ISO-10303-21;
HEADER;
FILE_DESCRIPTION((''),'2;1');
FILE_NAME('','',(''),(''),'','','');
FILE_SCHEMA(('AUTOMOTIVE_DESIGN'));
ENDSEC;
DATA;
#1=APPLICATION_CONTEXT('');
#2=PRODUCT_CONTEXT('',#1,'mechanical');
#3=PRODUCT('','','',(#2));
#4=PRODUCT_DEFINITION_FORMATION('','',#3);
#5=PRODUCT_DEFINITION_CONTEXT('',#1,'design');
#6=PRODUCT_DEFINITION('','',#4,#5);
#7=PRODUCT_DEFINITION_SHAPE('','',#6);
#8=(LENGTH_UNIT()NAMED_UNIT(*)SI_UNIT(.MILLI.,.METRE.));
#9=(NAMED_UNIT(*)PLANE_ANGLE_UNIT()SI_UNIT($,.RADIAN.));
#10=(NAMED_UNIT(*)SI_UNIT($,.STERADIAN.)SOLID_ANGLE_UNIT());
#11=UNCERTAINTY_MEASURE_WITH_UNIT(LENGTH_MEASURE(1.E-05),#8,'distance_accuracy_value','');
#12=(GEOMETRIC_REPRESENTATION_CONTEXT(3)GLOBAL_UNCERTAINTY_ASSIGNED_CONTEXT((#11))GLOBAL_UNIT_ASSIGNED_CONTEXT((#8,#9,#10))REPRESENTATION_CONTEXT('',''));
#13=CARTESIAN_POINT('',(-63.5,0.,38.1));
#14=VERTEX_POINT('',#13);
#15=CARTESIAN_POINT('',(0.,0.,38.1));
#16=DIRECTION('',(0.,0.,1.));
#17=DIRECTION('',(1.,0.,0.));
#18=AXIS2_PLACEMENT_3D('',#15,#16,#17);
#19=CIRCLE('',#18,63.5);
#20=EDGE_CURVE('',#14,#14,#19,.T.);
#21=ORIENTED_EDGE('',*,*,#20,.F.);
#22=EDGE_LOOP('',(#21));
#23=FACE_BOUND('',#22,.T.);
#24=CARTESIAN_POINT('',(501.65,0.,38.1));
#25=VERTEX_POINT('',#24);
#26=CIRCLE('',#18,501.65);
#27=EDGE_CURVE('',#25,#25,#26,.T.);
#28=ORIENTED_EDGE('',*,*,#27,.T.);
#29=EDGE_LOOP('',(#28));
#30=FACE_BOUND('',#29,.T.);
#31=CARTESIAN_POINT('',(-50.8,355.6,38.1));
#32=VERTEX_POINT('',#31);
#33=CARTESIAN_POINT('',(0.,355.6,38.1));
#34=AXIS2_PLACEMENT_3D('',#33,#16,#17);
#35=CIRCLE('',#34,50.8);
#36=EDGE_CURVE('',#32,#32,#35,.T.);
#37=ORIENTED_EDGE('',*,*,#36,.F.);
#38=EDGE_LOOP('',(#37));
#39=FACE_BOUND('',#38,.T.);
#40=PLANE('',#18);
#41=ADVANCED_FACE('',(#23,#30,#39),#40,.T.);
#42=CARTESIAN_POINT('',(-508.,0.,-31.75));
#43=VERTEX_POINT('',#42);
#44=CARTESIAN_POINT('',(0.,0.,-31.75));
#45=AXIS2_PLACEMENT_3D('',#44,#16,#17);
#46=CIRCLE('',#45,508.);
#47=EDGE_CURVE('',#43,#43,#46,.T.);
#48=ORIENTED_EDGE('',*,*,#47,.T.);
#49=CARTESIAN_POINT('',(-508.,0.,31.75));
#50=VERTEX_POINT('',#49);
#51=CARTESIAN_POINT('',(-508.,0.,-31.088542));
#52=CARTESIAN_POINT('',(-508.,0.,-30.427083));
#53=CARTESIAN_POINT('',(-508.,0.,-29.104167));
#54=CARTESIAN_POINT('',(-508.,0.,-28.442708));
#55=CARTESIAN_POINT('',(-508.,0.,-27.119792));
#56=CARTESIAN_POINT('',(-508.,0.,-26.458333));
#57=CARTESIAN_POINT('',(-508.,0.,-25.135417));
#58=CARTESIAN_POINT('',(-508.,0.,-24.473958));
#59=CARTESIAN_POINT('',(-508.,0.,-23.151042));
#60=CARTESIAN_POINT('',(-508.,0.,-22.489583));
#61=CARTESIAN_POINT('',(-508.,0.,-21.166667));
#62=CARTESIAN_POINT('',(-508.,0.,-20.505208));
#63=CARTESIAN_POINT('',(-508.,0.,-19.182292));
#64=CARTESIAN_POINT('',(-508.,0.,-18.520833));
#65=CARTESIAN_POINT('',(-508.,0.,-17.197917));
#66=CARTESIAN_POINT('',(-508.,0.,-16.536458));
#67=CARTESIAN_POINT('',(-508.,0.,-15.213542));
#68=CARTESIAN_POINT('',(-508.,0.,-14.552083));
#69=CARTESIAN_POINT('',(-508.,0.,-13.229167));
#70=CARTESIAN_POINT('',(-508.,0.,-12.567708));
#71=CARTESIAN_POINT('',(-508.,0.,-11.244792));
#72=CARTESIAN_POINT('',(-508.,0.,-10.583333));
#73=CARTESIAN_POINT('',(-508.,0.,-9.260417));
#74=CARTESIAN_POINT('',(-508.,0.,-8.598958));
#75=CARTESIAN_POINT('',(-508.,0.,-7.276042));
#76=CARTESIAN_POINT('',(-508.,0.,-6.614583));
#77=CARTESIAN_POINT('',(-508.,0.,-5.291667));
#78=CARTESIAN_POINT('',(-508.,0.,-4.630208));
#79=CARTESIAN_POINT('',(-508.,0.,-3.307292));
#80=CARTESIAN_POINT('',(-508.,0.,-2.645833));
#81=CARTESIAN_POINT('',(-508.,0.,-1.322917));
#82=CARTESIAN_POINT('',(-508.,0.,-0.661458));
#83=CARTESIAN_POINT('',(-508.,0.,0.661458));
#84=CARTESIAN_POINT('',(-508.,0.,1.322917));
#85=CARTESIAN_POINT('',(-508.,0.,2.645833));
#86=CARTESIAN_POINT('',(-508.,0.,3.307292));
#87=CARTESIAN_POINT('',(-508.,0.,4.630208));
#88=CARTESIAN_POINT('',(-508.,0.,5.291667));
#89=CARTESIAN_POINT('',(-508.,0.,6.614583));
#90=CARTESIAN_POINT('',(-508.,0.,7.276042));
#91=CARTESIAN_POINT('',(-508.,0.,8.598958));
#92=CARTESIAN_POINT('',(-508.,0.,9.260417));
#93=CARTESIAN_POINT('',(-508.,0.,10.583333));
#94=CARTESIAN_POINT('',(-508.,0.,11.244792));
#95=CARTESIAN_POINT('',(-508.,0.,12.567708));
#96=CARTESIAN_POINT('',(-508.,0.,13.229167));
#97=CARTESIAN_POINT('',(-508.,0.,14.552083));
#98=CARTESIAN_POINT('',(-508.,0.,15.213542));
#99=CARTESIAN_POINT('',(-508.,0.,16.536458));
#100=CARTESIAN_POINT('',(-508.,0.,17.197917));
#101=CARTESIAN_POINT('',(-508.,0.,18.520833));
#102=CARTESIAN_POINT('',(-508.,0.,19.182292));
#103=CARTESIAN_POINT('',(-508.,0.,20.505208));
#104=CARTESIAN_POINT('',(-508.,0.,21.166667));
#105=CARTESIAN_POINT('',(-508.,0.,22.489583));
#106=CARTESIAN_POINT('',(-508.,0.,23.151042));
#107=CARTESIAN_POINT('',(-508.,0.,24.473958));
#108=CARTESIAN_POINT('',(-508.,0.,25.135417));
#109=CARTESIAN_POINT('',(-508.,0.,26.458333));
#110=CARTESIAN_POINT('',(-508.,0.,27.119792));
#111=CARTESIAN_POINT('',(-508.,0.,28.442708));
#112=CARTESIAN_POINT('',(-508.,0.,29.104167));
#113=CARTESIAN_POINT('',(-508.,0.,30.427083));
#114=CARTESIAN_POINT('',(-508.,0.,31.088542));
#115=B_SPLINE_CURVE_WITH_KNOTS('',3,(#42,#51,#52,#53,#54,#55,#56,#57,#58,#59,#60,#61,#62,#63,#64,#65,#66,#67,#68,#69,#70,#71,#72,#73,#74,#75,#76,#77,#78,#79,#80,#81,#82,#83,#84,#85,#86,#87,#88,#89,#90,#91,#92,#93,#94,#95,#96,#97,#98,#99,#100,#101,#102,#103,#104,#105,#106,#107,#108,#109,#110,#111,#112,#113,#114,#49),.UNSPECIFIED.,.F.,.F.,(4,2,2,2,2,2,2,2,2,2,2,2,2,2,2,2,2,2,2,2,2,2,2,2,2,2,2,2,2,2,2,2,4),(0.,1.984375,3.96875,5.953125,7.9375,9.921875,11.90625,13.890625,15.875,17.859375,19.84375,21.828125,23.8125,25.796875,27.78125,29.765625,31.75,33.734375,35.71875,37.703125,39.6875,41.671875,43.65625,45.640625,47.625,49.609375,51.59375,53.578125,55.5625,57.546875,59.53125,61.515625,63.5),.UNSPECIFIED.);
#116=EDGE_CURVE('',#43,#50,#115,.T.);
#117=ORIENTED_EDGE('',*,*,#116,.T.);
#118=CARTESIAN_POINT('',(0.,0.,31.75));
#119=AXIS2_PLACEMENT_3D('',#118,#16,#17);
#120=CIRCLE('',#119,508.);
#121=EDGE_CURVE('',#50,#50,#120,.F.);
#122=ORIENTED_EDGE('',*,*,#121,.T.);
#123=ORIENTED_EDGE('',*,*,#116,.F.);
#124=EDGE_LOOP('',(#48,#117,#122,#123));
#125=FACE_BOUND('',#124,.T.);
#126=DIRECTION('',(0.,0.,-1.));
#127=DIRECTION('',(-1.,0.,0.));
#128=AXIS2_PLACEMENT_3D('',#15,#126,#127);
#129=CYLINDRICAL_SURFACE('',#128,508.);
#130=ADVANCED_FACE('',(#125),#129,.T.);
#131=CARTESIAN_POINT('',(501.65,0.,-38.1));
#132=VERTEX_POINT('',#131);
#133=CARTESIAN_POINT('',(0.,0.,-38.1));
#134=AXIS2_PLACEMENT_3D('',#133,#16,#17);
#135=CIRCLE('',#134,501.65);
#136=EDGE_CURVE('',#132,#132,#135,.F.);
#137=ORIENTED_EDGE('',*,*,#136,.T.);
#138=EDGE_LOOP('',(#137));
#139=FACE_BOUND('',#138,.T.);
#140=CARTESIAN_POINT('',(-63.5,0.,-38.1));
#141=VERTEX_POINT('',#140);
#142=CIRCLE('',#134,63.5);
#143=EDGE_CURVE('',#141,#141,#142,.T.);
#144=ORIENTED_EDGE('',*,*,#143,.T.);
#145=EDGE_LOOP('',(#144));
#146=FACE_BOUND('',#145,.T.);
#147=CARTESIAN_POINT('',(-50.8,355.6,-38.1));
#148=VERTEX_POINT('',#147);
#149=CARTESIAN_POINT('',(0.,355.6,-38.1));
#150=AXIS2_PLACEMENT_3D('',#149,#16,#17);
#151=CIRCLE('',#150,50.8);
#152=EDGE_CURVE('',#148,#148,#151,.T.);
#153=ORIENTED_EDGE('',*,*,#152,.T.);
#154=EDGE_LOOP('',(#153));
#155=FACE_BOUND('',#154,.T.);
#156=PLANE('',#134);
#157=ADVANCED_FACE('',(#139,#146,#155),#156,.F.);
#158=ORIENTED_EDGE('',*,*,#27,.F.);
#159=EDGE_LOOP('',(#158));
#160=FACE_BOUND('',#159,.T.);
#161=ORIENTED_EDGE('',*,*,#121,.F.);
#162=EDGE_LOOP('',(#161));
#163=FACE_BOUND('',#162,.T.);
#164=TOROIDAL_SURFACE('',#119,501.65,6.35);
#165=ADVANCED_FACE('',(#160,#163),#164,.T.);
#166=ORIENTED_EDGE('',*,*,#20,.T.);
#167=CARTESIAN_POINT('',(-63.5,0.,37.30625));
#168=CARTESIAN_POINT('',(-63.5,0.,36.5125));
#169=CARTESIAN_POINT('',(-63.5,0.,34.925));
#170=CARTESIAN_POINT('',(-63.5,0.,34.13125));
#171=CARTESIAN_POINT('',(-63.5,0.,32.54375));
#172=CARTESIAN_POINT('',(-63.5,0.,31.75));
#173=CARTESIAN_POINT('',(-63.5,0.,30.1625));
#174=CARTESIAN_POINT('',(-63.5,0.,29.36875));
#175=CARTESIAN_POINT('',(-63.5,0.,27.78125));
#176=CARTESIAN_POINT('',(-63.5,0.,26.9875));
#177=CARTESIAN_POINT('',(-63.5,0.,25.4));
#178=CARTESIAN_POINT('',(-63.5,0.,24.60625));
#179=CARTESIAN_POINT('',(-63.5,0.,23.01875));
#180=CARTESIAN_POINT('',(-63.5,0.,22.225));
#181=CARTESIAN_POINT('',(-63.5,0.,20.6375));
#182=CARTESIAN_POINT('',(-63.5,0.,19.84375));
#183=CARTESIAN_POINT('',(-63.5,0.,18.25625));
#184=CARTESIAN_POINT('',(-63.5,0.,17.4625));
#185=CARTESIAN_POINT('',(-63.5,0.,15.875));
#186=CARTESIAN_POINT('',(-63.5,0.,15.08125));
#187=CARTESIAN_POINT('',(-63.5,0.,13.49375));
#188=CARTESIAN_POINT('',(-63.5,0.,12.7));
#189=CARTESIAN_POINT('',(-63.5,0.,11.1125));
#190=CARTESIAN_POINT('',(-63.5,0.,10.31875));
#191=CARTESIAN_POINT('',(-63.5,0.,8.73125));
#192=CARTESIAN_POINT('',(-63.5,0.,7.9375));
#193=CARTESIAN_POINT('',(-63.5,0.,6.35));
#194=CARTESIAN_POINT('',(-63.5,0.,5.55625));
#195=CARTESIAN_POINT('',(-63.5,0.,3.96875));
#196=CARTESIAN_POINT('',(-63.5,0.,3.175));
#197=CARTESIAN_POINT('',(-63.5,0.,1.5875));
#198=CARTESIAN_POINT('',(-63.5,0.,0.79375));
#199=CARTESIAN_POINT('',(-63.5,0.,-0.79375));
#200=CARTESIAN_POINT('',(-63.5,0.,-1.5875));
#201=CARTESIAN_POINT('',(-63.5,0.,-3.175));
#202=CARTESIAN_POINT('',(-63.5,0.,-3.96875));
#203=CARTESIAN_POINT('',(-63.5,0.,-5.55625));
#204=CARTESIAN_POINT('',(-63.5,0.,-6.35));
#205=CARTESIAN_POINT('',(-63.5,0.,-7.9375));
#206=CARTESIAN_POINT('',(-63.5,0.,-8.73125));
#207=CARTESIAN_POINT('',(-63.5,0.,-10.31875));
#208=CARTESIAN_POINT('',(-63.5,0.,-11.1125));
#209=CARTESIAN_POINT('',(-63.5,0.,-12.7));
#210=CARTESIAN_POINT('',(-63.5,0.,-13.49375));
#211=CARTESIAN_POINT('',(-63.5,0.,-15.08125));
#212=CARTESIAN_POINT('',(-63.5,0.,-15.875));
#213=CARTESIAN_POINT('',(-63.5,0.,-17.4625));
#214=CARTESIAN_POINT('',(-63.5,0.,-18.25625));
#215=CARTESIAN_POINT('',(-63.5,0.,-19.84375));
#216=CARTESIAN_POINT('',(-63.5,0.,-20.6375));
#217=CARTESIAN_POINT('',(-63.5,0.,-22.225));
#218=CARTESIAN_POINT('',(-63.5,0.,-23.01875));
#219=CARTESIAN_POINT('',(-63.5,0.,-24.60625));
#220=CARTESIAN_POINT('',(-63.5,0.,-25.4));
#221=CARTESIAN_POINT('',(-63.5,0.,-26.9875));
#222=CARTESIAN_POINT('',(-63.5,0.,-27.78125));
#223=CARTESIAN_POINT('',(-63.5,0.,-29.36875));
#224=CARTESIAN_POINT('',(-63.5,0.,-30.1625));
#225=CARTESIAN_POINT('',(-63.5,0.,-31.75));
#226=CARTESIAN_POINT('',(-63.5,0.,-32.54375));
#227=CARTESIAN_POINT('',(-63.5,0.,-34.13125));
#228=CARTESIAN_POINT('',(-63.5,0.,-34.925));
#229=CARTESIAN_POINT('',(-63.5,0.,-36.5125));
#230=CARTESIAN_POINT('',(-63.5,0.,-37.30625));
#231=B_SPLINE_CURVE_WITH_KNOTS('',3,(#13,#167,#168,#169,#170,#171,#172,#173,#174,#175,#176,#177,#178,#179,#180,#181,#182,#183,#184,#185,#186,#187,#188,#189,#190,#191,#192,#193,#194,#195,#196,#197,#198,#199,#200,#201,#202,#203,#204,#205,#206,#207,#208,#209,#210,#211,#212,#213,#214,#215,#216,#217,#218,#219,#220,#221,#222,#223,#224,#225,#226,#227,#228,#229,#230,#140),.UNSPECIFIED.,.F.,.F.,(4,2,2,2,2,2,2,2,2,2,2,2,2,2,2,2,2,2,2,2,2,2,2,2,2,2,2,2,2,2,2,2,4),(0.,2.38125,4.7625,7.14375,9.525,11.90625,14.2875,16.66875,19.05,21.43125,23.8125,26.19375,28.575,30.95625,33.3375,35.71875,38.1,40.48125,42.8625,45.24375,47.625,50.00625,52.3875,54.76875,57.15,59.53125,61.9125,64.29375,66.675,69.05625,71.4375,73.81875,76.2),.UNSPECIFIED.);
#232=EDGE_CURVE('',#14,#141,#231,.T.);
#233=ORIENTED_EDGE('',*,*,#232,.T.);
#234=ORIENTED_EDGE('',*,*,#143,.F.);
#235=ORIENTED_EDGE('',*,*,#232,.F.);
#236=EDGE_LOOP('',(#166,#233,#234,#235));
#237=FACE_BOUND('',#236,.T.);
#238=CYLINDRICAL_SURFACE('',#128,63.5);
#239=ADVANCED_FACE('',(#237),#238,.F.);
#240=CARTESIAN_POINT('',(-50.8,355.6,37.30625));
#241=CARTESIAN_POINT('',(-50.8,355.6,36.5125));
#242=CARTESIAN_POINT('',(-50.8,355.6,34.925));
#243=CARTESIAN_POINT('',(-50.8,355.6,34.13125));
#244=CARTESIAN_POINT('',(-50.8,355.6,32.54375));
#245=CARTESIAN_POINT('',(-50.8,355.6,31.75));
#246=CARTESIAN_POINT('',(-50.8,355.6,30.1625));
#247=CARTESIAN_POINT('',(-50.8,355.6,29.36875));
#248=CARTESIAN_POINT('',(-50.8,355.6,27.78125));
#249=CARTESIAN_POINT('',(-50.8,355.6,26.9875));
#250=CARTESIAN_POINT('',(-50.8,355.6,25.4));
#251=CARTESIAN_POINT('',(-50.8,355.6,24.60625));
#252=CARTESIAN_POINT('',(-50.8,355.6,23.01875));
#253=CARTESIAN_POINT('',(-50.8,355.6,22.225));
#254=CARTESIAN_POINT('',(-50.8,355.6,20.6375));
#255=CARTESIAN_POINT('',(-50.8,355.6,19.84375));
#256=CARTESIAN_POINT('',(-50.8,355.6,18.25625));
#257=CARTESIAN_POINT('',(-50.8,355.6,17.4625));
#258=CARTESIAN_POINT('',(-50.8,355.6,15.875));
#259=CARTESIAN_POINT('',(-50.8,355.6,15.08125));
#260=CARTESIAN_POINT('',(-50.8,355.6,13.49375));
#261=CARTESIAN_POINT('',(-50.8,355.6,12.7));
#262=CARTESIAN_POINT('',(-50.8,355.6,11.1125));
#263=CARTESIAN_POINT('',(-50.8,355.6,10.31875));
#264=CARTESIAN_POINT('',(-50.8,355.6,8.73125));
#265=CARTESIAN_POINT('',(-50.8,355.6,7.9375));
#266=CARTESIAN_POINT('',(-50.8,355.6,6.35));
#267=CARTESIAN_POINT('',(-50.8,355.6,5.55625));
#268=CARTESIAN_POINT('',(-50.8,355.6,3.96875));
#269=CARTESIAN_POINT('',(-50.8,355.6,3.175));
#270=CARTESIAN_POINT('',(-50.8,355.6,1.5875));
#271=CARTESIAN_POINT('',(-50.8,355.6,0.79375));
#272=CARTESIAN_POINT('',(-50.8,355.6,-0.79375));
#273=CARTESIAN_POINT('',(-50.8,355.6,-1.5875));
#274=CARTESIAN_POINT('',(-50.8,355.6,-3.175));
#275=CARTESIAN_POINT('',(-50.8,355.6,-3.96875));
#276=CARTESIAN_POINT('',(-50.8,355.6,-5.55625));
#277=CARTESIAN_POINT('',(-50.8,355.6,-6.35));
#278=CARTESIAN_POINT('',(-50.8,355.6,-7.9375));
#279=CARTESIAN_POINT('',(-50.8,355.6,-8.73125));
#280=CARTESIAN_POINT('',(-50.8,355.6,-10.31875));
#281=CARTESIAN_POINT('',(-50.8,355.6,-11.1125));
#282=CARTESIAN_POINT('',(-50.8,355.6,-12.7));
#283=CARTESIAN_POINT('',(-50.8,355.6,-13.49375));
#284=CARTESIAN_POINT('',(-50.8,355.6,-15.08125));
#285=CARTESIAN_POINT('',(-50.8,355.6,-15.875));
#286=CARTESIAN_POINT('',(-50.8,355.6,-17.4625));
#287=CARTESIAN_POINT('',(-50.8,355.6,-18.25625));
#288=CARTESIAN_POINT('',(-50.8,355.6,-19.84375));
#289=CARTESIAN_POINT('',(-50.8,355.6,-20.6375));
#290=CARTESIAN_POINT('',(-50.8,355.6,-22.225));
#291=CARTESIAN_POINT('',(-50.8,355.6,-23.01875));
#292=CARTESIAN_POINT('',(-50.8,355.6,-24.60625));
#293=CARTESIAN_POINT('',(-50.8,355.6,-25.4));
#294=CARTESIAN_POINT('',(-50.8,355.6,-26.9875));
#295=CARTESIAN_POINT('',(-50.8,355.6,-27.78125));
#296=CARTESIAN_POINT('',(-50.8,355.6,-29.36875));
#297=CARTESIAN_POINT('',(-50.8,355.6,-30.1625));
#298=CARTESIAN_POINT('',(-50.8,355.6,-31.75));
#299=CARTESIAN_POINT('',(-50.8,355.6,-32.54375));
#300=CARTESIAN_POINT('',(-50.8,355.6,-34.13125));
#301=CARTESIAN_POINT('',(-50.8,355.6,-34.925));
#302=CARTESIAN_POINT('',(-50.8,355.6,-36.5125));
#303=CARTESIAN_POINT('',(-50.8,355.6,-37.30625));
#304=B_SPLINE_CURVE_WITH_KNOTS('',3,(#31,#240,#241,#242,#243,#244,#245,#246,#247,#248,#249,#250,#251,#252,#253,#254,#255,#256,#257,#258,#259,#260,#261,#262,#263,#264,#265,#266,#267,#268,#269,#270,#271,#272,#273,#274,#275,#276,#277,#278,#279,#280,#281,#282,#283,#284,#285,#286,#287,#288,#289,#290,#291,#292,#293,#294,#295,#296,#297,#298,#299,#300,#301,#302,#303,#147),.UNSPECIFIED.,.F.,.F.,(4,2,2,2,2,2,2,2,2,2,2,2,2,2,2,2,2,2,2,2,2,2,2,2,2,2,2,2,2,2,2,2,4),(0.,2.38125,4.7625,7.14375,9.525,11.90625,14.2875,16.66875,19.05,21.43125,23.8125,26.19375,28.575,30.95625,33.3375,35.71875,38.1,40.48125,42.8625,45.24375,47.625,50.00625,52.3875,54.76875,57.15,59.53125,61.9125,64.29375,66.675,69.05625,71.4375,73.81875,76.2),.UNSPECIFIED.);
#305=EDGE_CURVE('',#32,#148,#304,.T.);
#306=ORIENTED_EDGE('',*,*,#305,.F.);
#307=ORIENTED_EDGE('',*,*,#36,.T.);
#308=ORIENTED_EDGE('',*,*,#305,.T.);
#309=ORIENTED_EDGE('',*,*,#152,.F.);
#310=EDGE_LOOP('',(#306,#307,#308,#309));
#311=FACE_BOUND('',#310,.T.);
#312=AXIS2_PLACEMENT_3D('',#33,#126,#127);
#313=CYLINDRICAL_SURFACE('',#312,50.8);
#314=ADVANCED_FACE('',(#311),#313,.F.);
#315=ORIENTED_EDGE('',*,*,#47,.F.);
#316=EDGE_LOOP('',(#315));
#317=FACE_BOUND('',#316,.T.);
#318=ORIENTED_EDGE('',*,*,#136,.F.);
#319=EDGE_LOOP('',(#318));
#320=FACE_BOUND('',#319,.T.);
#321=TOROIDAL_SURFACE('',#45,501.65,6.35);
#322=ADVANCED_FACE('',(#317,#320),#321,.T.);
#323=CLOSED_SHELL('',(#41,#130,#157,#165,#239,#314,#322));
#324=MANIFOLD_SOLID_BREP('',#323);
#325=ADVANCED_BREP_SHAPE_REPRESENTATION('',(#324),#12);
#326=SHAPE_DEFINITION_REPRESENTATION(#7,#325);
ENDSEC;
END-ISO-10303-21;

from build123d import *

# Parameters (mm, degrees)
SKETCH1_R           = 508
SKETCH1_R_2         = 63.5
SKETCH1_R_3         = 50.8
BOSS_EXTRUDE1_DEPTH = 38.1
FILLET1_R           = 6.35


with BuildPart() as part:
    # Sketch1 → Boss-Extrude1 (new, symmetric)
    with BuildSketch(Plane.XY):
        with Locations(Location((0, 0, 0), (0, 0, 180))):
            Circle(SKETCH1_R)
        with Locations(Location((0, 0, 0), (0, 0, 180))):
            Circle(SKETCH1_R_2, mode=Mode.SUBTRACT)
        with Locations(Location((0, 355.6, 0), (0, 0, 180))):
            Circle(SKETCH1_R_3, mode=Mode.SUBTRACT)
    extrude(amount=BOSS_EXTRUDE1_DEPTH, both=True)

    # Fillet1
    fillet1_edges = [part.edges().sort_by_distance(p)[0] for p in [
        (508, 0, -38.1),
        (508, 0, 38.1),
    ]]
    fillet(fillet1_edges, radius=FILLET1_R)


solid = part.part
